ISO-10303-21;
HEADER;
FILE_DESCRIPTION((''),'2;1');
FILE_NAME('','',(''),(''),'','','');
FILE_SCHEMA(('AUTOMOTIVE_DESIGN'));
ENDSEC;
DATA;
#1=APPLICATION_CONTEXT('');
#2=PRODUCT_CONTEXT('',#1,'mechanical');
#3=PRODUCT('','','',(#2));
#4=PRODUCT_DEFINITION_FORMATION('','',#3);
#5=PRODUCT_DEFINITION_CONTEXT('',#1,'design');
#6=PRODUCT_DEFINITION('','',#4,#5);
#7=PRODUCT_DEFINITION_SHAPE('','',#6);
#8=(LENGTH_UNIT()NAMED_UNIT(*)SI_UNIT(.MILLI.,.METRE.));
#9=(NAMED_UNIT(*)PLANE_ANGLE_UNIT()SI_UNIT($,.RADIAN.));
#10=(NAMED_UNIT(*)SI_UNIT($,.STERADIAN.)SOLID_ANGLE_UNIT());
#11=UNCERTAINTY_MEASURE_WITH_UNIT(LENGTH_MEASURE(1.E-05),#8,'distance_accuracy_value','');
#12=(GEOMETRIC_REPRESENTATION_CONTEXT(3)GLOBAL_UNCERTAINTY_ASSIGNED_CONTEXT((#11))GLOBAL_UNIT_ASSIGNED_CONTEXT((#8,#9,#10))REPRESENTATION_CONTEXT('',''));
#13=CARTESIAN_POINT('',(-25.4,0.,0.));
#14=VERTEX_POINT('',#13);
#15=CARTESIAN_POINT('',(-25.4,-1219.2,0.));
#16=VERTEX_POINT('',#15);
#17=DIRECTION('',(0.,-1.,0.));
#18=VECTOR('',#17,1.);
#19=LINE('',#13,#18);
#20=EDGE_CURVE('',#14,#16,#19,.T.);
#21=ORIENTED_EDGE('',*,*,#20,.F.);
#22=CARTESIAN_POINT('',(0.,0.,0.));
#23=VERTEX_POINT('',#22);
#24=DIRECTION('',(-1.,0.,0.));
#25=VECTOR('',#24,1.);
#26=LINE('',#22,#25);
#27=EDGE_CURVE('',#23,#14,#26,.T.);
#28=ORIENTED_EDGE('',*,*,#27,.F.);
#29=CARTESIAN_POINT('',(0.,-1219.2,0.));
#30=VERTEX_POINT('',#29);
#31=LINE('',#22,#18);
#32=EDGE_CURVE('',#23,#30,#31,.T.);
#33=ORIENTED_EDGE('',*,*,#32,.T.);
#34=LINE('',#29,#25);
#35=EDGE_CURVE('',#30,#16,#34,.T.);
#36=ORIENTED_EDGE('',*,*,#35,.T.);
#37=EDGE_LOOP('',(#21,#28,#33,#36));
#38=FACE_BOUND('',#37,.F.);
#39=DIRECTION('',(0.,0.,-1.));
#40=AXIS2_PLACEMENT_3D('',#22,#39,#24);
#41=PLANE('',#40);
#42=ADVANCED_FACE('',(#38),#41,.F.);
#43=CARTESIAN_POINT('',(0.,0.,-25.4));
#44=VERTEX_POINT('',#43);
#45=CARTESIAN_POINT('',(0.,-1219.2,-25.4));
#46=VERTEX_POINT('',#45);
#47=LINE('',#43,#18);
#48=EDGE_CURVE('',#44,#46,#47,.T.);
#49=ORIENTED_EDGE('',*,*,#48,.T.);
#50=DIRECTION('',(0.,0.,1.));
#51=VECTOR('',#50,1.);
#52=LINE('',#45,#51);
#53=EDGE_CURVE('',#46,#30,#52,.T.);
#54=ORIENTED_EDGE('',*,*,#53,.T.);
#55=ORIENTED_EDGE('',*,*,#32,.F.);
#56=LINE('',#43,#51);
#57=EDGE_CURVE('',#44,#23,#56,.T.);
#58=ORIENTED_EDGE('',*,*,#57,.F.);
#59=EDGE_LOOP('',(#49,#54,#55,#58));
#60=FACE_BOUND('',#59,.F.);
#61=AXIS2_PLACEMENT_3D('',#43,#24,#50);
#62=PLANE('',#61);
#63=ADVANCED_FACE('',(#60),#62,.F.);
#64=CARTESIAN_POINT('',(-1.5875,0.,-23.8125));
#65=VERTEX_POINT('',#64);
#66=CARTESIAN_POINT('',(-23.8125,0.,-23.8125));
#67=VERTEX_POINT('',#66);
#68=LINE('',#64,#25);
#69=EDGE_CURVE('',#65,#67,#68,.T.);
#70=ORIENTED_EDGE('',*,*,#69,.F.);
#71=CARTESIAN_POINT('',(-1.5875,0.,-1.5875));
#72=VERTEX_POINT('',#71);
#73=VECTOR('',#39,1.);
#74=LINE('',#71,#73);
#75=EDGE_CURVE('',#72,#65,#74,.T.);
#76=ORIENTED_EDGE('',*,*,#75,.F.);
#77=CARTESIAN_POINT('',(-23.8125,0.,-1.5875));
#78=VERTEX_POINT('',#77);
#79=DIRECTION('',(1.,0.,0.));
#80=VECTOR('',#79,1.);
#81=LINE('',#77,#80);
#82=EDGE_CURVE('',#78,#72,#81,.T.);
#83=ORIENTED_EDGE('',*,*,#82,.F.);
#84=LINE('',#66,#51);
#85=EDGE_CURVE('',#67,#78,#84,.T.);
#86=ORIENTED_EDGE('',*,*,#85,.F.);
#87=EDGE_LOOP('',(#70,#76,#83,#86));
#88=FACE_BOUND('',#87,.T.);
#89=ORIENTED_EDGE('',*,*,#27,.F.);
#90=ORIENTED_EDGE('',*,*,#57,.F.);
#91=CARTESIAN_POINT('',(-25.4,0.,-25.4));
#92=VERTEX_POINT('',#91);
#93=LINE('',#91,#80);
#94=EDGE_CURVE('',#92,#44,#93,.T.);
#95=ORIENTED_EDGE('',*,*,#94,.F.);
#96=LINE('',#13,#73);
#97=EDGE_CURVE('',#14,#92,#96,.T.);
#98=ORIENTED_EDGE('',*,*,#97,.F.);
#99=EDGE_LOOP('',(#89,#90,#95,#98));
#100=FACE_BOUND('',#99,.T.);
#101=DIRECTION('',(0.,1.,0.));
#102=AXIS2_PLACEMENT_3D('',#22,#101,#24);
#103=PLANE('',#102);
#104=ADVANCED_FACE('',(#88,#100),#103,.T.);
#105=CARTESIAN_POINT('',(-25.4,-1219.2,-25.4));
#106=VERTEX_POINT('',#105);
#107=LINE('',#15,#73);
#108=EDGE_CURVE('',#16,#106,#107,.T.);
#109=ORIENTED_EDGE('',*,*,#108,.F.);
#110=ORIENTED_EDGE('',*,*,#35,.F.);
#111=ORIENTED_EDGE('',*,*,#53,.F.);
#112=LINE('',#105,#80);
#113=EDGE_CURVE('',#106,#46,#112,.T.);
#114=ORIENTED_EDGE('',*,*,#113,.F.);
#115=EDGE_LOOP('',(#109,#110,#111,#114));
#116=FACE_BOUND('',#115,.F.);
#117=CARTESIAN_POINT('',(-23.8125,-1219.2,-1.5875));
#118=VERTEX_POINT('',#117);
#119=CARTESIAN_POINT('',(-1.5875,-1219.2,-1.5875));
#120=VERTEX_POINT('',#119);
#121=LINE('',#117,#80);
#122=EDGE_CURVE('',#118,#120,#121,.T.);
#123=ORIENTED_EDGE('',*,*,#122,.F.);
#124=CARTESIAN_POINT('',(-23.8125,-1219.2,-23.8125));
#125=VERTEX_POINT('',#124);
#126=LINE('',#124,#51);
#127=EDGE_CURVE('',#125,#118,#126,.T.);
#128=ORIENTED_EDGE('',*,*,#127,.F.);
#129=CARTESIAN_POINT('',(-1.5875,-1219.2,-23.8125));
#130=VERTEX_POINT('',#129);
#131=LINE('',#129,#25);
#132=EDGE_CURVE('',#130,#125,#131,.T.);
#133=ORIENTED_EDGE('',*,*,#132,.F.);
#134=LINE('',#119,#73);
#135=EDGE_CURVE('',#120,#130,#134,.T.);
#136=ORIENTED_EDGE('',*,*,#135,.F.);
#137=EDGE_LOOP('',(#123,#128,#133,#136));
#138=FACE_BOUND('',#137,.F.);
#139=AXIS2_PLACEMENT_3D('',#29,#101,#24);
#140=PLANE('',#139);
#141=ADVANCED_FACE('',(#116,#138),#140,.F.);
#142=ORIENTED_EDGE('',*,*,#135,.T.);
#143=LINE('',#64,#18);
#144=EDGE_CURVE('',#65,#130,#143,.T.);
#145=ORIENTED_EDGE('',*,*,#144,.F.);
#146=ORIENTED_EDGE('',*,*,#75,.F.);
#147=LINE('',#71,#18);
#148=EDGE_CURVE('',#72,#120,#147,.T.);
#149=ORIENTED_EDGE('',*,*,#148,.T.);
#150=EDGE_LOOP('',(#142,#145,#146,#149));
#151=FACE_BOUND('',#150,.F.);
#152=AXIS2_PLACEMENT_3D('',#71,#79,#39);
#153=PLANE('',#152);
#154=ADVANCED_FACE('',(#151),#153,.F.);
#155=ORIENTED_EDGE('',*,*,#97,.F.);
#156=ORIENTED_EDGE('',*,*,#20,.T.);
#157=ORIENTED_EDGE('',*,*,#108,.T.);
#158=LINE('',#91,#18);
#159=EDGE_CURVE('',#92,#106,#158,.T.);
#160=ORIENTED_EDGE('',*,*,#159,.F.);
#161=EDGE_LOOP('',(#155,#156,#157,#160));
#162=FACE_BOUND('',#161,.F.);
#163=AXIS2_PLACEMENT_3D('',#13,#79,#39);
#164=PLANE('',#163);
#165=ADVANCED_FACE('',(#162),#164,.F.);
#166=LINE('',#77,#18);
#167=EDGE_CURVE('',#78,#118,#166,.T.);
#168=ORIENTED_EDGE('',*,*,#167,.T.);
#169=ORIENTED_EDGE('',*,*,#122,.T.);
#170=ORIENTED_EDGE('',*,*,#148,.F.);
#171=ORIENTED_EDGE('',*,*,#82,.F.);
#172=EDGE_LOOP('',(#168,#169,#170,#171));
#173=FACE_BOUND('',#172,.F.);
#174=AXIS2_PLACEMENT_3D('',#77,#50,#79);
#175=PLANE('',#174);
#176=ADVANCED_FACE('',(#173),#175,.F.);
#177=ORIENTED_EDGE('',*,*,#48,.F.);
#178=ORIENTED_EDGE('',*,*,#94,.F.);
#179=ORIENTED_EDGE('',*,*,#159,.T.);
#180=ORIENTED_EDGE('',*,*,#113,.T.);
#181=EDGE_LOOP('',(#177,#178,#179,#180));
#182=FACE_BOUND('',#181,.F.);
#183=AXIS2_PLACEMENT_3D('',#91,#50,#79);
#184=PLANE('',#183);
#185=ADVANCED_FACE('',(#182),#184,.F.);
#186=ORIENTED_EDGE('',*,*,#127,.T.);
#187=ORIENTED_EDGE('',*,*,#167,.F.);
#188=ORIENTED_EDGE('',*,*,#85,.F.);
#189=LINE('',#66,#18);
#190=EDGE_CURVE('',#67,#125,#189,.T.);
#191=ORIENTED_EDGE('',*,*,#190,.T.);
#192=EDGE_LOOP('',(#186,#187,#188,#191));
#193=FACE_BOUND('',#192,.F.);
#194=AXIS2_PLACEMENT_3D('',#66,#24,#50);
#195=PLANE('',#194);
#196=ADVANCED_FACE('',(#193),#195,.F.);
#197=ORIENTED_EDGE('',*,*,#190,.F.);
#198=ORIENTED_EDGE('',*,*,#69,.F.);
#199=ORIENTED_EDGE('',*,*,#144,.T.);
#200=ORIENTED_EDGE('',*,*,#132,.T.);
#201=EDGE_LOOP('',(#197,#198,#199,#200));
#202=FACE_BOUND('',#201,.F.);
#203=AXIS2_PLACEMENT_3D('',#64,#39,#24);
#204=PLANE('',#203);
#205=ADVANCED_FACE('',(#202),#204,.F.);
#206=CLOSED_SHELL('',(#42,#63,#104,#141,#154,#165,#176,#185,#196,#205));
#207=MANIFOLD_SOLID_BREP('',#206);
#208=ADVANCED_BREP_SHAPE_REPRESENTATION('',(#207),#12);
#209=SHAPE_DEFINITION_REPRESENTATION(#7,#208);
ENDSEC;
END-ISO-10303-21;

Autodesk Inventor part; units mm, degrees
ref_plane "YZ Plane" through (0, 0, 0) normal (1, 0, 0) x (0, 1, 0)
ref_plane "XZ Plane" through (0, 0, 0) normal (0, 1, 0) x (-1, 0, 0)
ref_plane "XY Plane" through (0, 0, 0) normal (0, 0, 1) x (1, 0, 0)
sketch "Sketch1" plane through (0, 0, 0) normal (0, 1, 0) x (-1, 0, 0)
  line L0 (0, 0) -> (25.4, 0)
  line L1 (25.4, 0) -> (25.4, -25.4)
  line L2 (25.4, -25.4) -> (0, -25.4)
  line L3 (0, -25.4) -> (0, 0)
  line L4 (23.8125, -23.8125) -> (23.8125, -1.5875)
  line L5 (23.8125, -1.5875) -> (1.5875, -1.5875)
  line L6 (1.5875, -1.5875) -> (1.5875, -23.8125)
  line L7 (1.5875, -23.8125) -> (23.8125, -23.8125)
  dimension "d0" = 25.4
  dimension "d1" = 25.4
  dimension "d2" = 1.5875
extrude "Extrusion1" add sketch "Sketch1" against normal blind 1219.2
properties part number "SquareAlum" material "Aluminum 6061"
